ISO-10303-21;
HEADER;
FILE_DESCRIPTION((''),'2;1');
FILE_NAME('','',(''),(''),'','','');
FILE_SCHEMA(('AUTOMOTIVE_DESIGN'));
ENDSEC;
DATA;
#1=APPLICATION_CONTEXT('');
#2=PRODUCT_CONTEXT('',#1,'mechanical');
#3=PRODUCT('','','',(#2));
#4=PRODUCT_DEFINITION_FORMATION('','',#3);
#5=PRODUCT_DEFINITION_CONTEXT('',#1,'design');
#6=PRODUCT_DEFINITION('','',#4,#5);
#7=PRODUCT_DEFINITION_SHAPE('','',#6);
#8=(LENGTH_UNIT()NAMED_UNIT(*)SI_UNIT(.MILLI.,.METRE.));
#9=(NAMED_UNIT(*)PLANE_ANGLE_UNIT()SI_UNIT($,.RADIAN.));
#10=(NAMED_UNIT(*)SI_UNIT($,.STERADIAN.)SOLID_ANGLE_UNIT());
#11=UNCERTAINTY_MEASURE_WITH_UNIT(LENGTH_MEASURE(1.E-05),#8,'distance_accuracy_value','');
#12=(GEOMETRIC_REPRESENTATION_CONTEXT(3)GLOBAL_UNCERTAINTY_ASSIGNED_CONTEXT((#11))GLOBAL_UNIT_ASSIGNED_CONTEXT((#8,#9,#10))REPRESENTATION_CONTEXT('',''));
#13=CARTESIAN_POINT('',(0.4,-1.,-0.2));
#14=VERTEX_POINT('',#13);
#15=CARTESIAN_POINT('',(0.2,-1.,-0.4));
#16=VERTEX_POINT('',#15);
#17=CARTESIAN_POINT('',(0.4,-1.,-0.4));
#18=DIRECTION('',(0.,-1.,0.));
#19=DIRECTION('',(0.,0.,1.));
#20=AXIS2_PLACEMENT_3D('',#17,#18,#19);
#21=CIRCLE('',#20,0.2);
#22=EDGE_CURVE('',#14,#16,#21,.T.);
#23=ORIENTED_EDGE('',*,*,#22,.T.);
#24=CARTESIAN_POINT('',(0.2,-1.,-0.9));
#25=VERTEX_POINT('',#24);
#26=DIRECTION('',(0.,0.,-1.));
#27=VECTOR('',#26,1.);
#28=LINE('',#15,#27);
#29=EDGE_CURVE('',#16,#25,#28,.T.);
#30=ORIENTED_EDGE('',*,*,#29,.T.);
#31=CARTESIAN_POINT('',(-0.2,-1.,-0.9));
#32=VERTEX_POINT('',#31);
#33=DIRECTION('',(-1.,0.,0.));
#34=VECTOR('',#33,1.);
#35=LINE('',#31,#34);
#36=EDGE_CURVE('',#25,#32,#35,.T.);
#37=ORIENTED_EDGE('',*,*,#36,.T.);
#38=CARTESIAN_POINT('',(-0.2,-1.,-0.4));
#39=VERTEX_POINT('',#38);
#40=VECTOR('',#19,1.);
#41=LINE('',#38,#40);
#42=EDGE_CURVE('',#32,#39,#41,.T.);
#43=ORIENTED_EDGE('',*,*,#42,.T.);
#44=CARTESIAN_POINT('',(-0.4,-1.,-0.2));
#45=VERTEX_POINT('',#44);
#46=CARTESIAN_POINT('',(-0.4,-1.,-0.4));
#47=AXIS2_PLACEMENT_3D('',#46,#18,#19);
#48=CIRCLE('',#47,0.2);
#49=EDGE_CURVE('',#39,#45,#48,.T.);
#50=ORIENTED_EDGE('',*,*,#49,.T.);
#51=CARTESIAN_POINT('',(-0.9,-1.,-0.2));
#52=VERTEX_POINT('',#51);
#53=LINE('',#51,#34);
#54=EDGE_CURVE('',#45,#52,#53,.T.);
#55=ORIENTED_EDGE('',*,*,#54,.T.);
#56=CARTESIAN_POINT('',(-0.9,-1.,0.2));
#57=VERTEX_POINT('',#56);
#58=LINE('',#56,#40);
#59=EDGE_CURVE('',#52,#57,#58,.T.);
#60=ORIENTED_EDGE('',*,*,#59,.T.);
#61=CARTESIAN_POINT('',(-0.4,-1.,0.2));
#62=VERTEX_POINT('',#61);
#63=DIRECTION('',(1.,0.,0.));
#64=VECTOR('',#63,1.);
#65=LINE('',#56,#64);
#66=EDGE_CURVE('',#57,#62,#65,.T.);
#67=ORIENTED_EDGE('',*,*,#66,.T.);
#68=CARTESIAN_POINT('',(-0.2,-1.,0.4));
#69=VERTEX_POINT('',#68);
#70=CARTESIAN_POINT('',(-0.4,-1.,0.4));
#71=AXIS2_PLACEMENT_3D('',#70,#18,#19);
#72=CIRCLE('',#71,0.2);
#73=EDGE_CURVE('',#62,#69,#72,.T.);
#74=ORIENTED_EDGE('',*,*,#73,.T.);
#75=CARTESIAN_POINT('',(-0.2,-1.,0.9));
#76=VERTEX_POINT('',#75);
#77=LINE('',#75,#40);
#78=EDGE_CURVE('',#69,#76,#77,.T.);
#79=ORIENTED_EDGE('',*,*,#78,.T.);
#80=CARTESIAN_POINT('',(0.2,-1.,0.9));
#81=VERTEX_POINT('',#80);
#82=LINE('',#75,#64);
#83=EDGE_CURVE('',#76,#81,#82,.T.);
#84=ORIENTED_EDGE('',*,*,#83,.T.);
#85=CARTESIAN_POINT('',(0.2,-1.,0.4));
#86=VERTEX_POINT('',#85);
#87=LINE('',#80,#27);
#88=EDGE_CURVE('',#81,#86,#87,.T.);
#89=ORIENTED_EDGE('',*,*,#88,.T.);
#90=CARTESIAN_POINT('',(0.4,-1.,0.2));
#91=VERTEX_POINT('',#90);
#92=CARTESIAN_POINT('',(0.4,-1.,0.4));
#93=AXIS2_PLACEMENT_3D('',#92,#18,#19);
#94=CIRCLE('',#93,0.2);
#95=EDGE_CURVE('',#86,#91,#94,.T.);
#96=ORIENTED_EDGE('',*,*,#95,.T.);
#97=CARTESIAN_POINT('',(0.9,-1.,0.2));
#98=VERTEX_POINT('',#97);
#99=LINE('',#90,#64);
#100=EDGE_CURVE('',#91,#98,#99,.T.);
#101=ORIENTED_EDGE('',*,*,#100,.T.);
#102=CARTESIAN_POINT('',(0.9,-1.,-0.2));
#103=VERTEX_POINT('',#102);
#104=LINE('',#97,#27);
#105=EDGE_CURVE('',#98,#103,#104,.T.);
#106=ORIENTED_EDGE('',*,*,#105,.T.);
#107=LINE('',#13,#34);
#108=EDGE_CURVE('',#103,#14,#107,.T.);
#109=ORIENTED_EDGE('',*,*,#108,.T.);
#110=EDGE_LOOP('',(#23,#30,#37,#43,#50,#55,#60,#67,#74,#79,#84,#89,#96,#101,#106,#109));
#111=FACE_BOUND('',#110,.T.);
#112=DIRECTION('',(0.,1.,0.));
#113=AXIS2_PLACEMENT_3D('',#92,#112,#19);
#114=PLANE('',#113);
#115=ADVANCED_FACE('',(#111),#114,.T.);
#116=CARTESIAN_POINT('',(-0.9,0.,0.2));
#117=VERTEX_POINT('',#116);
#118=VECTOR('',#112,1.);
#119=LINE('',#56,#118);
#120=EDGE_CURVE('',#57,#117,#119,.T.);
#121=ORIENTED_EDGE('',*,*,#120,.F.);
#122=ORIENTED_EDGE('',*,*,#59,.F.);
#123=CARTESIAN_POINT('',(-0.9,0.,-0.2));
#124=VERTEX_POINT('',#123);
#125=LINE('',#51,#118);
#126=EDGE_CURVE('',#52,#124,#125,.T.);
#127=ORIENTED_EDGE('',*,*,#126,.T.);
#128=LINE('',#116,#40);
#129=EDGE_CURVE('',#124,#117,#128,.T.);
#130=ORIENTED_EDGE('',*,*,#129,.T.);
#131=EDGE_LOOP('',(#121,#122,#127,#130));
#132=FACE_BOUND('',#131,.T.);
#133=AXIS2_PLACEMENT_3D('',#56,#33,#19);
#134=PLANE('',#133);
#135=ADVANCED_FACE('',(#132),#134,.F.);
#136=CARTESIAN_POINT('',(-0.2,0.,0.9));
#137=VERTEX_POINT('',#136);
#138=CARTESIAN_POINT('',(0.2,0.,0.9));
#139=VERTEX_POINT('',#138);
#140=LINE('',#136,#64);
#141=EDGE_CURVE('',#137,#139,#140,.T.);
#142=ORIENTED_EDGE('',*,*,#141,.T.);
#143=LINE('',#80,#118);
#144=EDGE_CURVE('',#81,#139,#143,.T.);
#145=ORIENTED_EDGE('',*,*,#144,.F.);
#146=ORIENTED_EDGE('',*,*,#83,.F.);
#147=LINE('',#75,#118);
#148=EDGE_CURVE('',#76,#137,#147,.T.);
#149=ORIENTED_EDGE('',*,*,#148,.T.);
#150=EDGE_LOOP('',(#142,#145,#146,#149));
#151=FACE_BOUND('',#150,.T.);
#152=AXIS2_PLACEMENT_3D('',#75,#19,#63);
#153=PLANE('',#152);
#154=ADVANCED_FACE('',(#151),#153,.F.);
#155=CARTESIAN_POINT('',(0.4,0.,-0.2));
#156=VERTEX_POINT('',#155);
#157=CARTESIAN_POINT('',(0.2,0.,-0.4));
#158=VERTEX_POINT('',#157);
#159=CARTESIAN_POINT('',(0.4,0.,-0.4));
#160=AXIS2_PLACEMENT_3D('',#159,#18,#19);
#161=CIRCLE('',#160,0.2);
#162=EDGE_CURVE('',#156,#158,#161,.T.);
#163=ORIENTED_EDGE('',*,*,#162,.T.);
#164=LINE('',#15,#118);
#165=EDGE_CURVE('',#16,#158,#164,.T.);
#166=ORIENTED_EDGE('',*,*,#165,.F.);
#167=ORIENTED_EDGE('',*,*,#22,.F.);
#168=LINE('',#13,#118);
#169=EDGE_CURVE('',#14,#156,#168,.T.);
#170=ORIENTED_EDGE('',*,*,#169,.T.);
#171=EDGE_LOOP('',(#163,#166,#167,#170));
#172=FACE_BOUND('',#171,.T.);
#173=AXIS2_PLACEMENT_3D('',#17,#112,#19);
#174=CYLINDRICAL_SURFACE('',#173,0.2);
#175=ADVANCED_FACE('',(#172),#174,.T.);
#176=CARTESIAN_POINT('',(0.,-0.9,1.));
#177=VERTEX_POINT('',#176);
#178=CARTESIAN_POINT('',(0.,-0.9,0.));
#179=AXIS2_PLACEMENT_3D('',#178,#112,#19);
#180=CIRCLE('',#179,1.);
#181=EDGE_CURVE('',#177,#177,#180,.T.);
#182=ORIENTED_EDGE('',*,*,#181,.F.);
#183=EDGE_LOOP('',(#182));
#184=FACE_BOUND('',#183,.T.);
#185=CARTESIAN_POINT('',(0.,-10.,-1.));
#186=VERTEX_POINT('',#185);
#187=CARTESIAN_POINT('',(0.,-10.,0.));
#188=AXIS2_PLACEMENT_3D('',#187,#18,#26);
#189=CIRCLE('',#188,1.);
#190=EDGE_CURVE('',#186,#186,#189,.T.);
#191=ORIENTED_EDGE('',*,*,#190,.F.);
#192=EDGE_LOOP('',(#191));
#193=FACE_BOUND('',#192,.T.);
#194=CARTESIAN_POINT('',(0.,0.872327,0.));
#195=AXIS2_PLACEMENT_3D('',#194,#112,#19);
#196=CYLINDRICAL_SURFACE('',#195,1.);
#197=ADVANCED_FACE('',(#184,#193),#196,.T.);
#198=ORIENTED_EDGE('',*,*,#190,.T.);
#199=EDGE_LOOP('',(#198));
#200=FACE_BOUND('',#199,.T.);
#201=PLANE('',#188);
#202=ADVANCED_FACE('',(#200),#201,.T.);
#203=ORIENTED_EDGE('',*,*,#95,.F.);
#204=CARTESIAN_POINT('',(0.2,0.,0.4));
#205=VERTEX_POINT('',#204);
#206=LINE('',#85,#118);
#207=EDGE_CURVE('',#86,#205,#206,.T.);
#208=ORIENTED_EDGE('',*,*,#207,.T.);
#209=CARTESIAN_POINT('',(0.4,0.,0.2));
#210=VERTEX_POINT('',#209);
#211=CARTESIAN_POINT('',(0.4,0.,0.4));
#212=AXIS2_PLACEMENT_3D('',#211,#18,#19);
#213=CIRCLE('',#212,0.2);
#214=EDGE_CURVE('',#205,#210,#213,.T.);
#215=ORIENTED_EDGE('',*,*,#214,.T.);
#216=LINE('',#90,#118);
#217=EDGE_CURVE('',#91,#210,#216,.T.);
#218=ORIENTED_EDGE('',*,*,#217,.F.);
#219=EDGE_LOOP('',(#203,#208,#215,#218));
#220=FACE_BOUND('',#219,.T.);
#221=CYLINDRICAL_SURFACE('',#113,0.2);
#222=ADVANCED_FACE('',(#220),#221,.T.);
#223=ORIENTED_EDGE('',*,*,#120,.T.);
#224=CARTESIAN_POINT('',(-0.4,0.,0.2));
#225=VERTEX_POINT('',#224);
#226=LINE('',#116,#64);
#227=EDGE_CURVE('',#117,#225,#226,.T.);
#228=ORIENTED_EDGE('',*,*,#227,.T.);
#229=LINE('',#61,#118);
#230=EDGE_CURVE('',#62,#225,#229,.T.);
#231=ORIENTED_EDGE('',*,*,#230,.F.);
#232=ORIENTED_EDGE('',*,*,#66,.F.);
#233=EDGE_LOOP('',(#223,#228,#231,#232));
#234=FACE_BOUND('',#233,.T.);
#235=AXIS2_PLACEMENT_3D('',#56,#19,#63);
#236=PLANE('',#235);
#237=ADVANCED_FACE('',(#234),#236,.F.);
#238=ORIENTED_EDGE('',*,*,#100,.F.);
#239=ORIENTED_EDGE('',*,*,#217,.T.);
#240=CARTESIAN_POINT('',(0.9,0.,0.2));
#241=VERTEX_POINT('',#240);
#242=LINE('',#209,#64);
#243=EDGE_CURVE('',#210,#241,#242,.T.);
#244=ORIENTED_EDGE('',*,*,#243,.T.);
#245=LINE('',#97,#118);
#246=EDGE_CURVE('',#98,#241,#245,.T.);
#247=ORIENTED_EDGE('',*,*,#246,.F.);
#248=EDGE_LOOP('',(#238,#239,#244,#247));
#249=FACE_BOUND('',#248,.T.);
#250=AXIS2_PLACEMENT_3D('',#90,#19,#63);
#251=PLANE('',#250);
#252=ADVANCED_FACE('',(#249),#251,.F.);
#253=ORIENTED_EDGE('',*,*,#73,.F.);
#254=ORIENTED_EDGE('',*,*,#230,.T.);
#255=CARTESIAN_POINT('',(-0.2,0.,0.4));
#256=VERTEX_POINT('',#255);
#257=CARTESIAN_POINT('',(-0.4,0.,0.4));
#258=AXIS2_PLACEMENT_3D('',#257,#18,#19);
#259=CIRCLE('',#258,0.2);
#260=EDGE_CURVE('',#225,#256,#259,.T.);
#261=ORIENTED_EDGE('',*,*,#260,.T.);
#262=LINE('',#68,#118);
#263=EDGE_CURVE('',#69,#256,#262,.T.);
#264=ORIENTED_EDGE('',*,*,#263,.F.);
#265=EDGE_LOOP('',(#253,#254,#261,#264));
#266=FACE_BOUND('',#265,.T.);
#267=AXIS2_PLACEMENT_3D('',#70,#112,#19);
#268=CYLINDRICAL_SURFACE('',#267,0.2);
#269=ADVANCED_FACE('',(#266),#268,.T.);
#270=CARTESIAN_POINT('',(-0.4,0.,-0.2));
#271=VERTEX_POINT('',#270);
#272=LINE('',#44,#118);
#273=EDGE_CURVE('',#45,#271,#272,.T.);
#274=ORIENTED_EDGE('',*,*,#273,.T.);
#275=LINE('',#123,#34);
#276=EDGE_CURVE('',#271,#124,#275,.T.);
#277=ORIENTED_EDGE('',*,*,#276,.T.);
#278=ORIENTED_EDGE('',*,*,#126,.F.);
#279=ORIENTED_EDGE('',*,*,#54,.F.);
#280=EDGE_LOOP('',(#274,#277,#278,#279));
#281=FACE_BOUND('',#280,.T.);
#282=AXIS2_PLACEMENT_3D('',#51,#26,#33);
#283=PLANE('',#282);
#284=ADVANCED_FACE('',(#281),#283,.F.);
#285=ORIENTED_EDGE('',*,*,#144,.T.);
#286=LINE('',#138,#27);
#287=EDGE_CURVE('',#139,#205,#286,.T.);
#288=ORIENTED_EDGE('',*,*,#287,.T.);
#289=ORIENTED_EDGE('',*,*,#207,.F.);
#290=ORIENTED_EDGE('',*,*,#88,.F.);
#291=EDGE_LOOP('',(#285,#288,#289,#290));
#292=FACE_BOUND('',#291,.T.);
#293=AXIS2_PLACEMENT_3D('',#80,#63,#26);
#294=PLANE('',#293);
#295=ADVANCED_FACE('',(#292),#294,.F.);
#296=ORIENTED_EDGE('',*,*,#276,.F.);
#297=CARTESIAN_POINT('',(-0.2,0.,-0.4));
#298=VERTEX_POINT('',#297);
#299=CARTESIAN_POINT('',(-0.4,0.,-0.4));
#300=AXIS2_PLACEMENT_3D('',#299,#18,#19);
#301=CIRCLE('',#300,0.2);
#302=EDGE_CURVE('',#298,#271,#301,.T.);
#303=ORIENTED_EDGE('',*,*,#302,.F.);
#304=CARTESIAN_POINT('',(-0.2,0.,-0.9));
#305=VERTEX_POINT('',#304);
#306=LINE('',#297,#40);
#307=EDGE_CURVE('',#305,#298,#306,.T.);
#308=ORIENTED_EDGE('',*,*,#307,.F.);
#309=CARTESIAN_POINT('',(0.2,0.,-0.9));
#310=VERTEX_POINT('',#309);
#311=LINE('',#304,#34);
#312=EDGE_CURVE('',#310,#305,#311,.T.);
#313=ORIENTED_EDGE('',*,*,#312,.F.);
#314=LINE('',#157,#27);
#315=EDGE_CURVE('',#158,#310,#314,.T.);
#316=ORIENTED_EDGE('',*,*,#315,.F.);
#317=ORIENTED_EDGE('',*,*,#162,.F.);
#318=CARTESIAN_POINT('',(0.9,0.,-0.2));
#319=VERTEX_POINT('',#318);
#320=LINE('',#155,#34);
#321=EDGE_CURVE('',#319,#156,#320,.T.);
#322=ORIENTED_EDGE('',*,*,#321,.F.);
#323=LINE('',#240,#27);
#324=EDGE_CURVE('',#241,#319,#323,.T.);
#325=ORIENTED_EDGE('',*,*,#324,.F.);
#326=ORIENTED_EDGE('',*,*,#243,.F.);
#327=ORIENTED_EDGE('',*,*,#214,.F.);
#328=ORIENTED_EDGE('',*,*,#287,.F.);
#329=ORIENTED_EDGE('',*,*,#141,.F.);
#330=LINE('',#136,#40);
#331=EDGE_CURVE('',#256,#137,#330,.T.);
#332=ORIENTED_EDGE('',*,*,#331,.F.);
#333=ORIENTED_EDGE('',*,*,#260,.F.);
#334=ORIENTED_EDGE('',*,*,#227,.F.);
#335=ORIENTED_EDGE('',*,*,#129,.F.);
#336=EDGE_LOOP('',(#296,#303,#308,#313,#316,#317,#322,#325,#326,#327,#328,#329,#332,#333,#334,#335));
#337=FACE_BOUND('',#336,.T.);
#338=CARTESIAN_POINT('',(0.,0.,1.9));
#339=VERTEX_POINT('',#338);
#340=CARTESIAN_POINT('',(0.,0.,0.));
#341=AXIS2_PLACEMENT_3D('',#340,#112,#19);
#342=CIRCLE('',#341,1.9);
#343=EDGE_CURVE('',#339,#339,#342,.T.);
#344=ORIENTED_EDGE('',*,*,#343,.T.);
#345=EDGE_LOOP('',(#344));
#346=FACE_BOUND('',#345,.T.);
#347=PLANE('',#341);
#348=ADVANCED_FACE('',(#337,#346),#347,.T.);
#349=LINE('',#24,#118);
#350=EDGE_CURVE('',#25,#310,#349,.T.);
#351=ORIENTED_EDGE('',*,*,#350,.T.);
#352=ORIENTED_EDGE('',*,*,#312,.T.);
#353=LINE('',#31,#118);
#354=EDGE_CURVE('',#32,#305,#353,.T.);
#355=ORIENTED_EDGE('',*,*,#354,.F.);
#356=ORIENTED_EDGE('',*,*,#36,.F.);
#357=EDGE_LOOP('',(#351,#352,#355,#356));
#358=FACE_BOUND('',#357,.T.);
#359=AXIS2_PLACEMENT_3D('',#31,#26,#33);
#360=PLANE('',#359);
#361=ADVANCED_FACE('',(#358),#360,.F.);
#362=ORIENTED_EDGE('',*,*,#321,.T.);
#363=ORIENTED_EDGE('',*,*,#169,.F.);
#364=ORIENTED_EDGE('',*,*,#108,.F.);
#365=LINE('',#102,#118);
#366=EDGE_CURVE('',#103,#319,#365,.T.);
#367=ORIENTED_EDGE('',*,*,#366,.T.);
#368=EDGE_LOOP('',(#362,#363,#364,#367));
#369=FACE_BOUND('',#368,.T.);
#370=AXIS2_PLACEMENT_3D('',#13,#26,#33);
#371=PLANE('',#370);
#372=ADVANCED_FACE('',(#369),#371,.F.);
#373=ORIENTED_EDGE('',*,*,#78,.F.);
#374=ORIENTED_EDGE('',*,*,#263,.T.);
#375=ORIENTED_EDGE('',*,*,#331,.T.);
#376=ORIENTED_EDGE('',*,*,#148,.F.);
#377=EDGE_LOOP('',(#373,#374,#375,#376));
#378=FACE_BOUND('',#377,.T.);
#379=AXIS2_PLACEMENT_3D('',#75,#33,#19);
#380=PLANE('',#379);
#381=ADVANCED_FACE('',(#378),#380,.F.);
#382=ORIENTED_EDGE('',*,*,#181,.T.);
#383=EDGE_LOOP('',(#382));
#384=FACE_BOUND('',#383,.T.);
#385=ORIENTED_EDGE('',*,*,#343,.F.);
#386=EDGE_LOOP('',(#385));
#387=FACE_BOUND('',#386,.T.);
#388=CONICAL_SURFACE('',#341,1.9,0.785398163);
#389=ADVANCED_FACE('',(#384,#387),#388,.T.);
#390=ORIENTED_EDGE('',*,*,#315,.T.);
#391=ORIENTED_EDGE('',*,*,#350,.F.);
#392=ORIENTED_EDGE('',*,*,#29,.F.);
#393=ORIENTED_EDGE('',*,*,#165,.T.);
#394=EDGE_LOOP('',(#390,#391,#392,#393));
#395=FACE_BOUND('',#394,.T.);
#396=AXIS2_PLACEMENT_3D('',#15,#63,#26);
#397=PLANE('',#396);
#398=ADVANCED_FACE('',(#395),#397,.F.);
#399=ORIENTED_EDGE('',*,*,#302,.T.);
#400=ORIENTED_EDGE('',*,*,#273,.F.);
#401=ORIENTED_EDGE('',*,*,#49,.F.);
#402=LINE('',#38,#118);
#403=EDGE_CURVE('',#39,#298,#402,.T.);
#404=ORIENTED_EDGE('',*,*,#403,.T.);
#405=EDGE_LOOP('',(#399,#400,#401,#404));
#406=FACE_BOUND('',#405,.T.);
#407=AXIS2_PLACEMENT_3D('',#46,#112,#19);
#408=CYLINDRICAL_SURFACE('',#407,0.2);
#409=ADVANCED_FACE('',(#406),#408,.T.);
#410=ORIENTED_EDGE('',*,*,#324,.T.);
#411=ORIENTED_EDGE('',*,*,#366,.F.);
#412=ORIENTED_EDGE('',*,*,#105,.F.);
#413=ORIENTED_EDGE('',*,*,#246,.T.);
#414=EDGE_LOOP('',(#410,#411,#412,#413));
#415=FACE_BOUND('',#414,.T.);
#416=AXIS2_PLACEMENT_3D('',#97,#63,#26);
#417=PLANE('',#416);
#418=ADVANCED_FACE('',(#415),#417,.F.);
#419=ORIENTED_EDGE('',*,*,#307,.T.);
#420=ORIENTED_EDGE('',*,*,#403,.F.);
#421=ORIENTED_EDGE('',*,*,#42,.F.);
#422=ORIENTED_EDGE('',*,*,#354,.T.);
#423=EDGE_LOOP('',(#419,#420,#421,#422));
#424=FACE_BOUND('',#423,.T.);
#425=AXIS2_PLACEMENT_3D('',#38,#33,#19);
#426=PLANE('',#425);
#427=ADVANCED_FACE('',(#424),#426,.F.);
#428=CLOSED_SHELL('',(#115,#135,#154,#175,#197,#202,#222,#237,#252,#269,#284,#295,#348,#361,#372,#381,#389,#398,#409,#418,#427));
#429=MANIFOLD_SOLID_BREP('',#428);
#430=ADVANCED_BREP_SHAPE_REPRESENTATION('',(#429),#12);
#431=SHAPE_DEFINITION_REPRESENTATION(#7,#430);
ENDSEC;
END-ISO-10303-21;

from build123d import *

# Parameters (mm, degrees)
SKETCH2_R           = 1
BOSS_EXTRUDE1_DEPTH = 8.8
CUT_EXTRUDE1_DEPTH  = 1


with BuildPart() as part:
    # Sketch1 → Revolve1 (revolve)
    with BuildSketch(Plane(origin=(0, 0, 0), x_dir=(0, 0, -1), z_dir=(1, 0, 0))):
        Polygon((0, 0), (-1.9, 0), (-1, -0.9), (-1, -1.2), (0, -1.2), align=None)
    revolve(axis=Axis((0, 0.872326939, 0), (0, -1, 0)))

    # Sketch2 → Boss-Extrude1 (add)
    with BuildSketch(Plane.XZ.offset(1.2)):
        Circle(SKETCH2_R)
    extrude(amount=BOSS_EXTRUDE1_DEPTH)

    # Sketch3 → Cut-Extrude1 (cut)
    with BuildSketch(Plane(origin=(0, 0, 0), x_dir=(1, 0, 0), z_dir=(0, 1, 0))):
        with BuildLine():
            Line((-0.9, -0.2), (-0.4, -0.2))
            ThreePointArc((-0.4, -0.2), (-0.258578644, -0.258578644), (-0.2, -0.4))
            Line((-0.2, -0.4), (-0.2, -0.9))
            Line((-0.2, -0.9), (0.2, -0.9))
            Line((0.2, -0.9), (0.2, -0.4))
            ThreePointArc((0.2, -0.4), (0.258578644, -0.258578644), (0.4, -0.2))
            Line((0.4, -0.2), (0.9, -0.2))
            Line((0.9, -0.2), (0.9, 0.2))
            Line((0.9, 0.2), (0.4, 0.2))
            ThreePointArc((0.4, 0.2), (0.258578644, 0.258578644), (0.2, 0.4))
            Line((0.2, 0.4), (0.2, 0.9))
            Line((0.2, 0.9), (-0.2, 0.9))
            Line((-0.2, 0.9), (-0.2, 0.4))
            ThreePointArc((-0.2, 0.4), (-0.258578644, 0.258578644), (-0.4, 0.2))
            Line((-0.4, 0.2), (-0.9, 0.2))
            Line((-0.9, 0.2), (-0.9, -0.2))
        make_face()
    extrude(amount=-CUT_EXTRUDE1_DEPTH, mode=Mode.SUBTRACT)


solid = part.part
